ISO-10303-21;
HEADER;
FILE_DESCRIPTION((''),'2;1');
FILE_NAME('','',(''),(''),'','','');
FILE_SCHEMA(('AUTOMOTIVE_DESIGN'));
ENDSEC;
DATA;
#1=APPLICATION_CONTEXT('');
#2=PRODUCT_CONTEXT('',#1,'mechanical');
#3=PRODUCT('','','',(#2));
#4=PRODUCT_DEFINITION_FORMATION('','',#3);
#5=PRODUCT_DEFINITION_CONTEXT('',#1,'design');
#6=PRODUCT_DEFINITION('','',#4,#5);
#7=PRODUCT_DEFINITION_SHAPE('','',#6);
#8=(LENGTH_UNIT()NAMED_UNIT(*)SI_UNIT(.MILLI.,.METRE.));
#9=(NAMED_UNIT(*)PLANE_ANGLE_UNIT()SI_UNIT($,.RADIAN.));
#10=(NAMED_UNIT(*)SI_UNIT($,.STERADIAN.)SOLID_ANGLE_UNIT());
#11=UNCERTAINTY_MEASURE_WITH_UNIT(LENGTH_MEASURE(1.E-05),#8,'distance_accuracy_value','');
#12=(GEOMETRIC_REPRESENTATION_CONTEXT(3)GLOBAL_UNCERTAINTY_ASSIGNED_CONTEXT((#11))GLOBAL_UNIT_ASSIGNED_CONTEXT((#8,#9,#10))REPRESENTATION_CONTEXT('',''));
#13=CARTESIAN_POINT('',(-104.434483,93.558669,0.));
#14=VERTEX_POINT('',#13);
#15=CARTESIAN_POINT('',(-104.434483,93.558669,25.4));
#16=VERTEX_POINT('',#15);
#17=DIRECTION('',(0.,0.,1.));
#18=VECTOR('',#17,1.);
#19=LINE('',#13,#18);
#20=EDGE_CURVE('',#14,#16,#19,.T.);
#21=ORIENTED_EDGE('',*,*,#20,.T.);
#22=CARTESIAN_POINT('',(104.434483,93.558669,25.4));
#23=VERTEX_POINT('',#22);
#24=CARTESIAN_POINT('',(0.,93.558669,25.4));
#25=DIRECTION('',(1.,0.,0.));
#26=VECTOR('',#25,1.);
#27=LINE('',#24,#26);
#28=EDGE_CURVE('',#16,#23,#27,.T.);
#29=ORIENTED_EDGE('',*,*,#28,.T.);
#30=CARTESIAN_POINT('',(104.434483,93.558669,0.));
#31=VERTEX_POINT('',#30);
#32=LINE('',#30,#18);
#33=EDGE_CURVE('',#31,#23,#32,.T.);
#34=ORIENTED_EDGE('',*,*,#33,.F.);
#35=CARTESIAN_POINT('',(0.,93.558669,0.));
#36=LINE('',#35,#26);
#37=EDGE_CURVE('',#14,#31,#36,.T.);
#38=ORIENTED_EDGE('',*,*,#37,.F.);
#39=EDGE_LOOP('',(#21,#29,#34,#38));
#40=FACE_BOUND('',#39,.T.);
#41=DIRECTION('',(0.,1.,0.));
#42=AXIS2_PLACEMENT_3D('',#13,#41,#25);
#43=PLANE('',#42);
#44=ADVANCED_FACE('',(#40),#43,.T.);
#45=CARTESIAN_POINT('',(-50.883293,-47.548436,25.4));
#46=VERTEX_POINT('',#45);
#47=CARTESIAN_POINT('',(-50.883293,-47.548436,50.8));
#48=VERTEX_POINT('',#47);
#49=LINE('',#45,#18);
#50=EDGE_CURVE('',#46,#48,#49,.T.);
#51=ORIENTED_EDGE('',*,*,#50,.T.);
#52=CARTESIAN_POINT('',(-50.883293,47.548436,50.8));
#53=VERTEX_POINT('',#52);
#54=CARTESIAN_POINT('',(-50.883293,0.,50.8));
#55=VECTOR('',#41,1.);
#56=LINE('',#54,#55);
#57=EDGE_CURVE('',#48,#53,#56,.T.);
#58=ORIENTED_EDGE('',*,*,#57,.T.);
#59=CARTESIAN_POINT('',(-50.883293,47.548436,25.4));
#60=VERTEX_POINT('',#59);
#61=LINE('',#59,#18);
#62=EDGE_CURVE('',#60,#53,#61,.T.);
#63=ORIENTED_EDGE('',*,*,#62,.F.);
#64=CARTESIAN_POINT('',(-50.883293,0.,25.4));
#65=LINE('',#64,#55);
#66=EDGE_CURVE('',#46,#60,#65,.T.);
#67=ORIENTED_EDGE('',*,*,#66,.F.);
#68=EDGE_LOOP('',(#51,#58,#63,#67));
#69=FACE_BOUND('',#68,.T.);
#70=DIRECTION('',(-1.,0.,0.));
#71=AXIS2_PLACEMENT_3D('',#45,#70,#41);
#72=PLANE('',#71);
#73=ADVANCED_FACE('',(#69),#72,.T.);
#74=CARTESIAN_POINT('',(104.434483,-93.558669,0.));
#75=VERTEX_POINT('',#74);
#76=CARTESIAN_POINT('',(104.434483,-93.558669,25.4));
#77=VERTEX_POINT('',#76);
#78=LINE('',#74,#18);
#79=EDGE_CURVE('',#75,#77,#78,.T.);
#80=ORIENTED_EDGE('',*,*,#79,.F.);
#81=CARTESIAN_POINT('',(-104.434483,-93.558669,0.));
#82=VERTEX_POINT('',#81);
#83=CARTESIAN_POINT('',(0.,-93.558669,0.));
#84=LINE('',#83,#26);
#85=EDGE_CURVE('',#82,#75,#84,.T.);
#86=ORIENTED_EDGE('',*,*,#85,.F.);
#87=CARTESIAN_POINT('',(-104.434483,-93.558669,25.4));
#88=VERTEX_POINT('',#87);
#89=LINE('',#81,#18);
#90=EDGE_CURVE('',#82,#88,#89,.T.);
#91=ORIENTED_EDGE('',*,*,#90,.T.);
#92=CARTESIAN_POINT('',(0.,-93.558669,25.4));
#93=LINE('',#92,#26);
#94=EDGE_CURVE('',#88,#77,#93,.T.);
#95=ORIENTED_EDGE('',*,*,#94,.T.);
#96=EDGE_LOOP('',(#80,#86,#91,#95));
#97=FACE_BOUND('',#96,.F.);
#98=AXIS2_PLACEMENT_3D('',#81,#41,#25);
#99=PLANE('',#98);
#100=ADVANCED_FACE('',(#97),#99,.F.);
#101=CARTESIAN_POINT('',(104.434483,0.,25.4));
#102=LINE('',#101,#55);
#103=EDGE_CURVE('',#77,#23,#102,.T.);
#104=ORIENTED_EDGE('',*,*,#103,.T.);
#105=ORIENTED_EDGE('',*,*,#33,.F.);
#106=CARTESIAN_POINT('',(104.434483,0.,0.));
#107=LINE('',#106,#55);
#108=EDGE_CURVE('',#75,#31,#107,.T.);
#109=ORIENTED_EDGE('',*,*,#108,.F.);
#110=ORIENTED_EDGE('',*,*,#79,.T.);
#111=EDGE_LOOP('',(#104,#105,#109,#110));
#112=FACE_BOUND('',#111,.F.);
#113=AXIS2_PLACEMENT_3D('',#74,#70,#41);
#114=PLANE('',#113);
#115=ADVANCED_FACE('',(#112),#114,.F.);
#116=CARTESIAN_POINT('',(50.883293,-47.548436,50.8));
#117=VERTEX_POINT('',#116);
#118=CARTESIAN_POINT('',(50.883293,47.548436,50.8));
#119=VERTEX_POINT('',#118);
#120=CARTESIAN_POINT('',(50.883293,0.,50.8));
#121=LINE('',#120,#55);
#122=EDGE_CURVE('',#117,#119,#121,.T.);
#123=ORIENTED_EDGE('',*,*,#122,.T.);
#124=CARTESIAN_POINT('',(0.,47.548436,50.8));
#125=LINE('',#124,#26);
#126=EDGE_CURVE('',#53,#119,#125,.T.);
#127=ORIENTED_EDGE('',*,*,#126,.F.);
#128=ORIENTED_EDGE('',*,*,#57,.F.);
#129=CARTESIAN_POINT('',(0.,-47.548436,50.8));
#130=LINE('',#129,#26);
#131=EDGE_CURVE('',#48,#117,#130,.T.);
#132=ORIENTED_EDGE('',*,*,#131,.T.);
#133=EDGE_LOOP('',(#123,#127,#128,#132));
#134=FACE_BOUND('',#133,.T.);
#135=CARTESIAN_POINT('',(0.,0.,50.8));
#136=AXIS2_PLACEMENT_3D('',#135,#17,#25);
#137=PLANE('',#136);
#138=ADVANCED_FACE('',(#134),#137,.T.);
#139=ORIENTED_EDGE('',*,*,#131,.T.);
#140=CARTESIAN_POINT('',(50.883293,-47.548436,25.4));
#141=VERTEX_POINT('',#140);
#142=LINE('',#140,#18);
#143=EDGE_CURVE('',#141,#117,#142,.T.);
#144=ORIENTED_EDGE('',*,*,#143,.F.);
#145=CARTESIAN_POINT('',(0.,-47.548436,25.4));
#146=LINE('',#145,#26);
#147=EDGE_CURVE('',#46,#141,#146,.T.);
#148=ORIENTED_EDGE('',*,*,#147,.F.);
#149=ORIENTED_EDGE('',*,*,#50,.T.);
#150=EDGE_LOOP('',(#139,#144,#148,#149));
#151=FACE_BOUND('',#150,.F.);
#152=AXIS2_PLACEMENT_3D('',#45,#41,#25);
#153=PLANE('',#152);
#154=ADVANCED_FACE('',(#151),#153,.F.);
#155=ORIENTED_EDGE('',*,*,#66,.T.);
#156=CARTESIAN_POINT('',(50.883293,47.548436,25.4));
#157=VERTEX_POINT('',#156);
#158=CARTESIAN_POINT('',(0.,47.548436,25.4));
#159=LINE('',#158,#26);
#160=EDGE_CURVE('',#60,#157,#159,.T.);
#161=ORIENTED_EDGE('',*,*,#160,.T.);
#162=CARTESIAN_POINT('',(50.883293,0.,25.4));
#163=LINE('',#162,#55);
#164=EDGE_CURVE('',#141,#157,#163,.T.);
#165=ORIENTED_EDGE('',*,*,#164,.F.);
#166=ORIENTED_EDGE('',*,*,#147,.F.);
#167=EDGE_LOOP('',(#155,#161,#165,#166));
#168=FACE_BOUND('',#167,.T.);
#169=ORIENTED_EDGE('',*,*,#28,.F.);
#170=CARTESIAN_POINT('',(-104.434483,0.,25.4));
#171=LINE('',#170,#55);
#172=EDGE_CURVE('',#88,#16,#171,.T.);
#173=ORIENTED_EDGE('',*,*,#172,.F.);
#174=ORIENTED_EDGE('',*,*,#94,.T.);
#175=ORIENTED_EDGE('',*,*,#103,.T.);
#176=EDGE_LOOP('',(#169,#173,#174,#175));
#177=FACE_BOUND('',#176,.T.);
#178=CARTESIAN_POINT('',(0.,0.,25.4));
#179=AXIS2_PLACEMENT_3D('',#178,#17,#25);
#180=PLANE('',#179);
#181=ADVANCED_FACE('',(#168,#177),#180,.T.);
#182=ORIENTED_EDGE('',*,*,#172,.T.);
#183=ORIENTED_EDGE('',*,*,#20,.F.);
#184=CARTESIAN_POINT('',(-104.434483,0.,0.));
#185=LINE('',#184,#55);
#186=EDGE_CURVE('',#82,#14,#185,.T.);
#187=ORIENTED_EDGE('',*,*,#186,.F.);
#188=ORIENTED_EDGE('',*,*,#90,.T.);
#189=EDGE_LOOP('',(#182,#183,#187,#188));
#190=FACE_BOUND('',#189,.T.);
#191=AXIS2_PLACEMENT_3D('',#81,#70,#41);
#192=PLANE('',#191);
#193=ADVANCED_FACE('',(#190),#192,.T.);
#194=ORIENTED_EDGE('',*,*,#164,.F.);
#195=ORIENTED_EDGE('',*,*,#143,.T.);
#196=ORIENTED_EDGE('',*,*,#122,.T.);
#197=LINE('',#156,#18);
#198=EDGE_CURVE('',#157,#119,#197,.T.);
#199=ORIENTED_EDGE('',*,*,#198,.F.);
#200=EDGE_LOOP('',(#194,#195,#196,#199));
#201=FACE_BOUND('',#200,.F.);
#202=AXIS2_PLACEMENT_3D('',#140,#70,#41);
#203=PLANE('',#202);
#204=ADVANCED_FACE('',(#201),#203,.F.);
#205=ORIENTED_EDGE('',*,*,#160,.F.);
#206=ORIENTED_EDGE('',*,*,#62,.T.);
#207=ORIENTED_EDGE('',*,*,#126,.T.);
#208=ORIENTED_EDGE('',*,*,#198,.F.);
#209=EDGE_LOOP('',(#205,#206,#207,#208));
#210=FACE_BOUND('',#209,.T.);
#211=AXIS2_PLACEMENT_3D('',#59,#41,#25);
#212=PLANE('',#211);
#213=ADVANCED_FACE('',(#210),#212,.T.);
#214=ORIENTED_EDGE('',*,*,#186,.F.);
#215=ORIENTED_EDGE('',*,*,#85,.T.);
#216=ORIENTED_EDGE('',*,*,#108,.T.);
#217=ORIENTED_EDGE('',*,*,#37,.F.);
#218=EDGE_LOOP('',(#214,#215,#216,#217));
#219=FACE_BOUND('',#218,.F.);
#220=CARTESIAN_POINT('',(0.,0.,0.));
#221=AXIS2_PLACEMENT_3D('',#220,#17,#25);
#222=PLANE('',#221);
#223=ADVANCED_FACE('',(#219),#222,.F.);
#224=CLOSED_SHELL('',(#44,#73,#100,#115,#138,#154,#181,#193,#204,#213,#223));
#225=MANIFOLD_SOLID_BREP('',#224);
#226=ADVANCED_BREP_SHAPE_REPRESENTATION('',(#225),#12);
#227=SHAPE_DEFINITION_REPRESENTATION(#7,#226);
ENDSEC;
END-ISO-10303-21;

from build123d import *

# Parameters (mm, degrees)
F0_W     = 208.868966
F0_H     = 187.117338
F0_W_2   = 91.582886
F0_H_2   = 78.801386
F1_DEPTH = 25.4
F2_W     = 101.766586
F2_H     = 95.096872
F3_DEPTH = 25.4


with BuildPart() as f1:
    # F0 (on Top) → F1 (new body)
    with BuildSketch(Plane.XY):
        Rectangle(F0_W, F0_H)
        Rectangle(F0_W_2, F0_H_2, mode=Mode.SUBTRACT)
        Rectangle(F0_W_2, F0_H_2)
    extrude(amount=F1_DEPTH)

    # F2 (on face) → F3 (join)
    with BuildSketch(Plane.XY.offset(25.4)):
        Rectangle(F2_W, F2_H)
    extrude(amount=F3_DEPTH)


solid = f1.part
